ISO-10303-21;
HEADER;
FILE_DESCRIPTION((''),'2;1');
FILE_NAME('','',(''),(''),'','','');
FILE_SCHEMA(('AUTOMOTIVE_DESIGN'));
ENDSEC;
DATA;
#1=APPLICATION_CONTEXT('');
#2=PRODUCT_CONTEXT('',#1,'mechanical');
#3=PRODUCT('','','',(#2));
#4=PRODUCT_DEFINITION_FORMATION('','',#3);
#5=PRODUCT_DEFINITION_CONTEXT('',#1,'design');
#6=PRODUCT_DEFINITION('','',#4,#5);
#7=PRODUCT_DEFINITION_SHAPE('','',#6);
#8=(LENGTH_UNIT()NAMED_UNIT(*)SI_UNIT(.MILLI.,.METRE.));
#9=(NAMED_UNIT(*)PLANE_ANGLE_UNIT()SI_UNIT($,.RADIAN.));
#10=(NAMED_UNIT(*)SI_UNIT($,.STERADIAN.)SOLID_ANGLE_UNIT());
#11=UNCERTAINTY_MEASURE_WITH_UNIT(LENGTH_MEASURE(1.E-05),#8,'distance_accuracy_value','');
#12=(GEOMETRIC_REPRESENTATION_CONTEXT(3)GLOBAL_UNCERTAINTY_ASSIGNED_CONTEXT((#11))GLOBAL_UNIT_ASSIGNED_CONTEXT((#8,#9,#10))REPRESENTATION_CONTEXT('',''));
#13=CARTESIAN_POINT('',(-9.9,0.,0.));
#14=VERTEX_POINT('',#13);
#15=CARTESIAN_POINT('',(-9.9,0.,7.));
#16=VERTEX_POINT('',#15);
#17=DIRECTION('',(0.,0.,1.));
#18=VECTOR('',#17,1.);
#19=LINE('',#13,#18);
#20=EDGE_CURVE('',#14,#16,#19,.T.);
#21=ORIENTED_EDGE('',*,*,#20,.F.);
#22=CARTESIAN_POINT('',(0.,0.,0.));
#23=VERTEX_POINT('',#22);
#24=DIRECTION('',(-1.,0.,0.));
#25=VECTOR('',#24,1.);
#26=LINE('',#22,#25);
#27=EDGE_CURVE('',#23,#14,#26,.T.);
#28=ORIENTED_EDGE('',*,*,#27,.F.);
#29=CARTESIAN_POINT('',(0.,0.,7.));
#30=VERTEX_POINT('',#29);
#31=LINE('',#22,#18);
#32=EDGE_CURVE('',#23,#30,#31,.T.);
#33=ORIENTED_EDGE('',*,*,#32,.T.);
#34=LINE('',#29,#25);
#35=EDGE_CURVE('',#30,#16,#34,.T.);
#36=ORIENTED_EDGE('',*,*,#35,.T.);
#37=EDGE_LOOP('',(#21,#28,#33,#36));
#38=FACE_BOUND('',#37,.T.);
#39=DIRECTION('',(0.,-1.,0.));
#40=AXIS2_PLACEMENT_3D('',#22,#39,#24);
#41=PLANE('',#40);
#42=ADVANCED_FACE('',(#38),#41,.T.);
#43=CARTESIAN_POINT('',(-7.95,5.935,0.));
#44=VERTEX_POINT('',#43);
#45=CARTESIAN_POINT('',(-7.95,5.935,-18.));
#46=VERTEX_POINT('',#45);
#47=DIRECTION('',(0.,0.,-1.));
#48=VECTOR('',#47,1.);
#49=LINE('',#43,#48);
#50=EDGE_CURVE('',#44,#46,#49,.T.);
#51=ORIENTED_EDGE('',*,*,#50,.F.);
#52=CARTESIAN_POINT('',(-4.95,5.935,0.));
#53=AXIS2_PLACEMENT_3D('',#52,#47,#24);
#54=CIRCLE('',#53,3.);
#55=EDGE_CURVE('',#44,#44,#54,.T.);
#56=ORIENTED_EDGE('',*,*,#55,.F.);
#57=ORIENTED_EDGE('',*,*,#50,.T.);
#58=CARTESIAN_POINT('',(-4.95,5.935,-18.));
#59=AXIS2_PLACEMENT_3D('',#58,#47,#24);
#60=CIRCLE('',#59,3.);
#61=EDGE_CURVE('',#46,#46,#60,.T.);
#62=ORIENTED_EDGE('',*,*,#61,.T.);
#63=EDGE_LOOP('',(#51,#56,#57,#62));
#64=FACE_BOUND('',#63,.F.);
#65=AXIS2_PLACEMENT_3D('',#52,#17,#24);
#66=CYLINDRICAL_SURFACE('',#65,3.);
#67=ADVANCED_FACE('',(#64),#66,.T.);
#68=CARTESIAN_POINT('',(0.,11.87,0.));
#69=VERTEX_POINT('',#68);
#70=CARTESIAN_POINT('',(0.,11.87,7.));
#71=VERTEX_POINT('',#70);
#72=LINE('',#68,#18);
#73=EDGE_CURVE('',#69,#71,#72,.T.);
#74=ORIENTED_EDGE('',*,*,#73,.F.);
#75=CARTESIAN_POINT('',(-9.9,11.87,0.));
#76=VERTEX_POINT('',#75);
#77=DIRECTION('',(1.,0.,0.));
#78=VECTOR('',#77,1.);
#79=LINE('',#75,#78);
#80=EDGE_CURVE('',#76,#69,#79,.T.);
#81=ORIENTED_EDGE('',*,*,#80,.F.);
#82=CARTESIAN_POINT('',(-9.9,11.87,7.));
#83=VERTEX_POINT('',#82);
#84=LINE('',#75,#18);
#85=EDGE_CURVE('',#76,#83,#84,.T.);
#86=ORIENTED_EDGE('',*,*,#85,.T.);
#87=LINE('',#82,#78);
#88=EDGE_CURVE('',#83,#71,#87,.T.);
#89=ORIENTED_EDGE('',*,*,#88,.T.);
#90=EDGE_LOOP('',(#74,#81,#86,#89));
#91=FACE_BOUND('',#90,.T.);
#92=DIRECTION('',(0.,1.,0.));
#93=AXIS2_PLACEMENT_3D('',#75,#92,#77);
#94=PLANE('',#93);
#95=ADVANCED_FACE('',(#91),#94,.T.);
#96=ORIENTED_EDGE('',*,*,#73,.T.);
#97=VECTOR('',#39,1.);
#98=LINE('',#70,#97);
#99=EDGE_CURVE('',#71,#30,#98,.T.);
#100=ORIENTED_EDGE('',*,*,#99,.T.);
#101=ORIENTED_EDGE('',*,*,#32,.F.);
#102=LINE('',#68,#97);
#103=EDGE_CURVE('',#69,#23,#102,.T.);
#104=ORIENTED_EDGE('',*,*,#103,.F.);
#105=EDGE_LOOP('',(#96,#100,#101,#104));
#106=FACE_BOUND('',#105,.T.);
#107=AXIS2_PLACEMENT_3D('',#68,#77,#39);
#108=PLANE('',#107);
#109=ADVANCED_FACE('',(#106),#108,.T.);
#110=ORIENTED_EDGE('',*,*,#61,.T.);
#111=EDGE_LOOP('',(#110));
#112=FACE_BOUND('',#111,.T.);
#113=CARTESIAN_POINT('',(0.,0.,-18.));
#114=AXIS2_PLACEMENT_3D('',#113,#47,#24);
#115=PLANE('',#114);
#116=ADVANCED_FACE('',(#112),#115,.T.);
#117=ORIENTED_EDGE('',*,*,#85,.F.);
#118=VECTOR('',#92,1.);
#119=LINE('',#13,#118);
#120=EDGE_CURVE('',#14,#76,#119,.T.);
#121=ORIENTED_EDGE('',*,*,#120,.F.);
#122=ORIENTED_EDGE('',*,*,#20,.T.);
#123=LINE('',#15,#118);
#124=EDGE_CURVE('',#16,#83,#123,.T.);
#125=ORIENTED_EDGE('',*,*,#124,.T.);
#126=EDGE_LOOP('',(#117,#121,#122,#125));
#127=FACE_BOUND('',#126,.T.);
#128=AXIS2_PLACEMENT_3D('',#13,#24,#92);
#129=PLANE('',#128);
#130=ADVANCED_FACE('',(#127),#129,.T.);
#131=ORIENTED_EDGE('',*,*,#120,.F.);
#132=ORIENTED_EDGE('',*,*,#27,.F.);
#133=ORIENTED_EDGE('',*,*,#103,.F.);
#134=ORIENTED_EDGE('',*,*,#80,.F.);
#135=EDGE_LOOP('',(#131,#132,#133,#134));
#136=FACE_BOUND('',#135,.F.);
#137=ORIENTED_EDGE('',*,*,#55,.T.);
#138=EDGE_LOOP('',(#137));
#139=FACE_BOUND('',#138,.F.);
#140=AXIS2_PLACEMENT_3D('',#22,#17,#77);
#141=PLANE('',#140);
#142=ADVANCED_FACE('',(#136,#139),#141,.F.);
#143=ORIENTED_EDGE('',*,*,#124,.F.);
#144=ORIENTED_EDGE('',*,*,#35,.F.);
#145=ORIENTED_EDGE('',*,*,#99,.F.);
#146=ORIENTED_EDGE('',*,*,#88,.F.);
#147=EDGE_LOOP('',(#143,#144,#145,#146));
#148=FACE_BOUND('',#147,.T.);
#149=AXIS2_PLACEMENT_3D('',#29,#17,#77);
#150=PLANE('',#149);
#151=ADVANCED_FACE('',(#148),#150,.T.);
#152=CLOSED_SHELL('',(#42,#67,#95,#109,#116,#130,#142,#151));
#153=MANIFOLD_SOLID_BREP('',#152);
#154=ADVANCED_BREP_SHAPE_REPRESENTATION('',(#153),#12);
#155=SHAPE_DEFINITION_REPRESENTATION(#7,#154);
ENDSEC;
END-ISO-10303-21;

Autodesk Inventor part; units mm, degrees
ref_plane "YZ Plane" through (0, 0, 0) normal (1, 0, 0) x (0, 1, 0)
ref_plane "XZ Plane" through (0, 0, 0) normal (0, 1, 0) x (-1, 0, 0)
ref_plane "XY Plane" through (0, 0, 0) normal (0, 0, 1) x (1, 0, 0)
sketch "Sketch1" plane through (0, 0, 0) normal (0, 0, 1) x (1, 0, 0)
  line L0 (0, 0) -> (-9.9, 0)
  line L1 (-9.9, 0) -> (-9.9, 11.87)
  line L2 (-9.9, 11.87) -> (0, 11.87)
  line L3 (0, 11.87) -> (0, 0)
  dimension "d0" = 9.9
  dimension "d1" = 11.87
extrude "Extrusion1" add sketch "Sketch1" along normal blind 7
sketch "Sketch2" plane through (0, 0, 0) normal (0, 0, -1) x (-1, 0, 0)
  line L0 (9.9, 11.87) -> (9.9, 0) construction
  line L1 (0, 11.87) -> (9.9, 11.87) construction
  line L2 (0, 0) -> (0, 11.87) construction
  line L3 (9.9, 0) -> (0, 0) construction
  line L4 (0, 11.87) -> (9.9, 11.87) construction
  line L5 (4.95, 11.87) -> (4.95, 0) construction
  line L6 (9.9, 11.87) -> (9.9, 0) construction
  line L7 (9.9, 5.935) -> (0, 5.935) construction
  line L8 (0, 0) -> (0, 11.87) construction
  circle A0 centre (4.95, 5.935) radius 3
  dimension "d4" = 6
extrude "Extrusion2" add sketch "Sketch2" along normal blind 18
properties part number "Poti"
